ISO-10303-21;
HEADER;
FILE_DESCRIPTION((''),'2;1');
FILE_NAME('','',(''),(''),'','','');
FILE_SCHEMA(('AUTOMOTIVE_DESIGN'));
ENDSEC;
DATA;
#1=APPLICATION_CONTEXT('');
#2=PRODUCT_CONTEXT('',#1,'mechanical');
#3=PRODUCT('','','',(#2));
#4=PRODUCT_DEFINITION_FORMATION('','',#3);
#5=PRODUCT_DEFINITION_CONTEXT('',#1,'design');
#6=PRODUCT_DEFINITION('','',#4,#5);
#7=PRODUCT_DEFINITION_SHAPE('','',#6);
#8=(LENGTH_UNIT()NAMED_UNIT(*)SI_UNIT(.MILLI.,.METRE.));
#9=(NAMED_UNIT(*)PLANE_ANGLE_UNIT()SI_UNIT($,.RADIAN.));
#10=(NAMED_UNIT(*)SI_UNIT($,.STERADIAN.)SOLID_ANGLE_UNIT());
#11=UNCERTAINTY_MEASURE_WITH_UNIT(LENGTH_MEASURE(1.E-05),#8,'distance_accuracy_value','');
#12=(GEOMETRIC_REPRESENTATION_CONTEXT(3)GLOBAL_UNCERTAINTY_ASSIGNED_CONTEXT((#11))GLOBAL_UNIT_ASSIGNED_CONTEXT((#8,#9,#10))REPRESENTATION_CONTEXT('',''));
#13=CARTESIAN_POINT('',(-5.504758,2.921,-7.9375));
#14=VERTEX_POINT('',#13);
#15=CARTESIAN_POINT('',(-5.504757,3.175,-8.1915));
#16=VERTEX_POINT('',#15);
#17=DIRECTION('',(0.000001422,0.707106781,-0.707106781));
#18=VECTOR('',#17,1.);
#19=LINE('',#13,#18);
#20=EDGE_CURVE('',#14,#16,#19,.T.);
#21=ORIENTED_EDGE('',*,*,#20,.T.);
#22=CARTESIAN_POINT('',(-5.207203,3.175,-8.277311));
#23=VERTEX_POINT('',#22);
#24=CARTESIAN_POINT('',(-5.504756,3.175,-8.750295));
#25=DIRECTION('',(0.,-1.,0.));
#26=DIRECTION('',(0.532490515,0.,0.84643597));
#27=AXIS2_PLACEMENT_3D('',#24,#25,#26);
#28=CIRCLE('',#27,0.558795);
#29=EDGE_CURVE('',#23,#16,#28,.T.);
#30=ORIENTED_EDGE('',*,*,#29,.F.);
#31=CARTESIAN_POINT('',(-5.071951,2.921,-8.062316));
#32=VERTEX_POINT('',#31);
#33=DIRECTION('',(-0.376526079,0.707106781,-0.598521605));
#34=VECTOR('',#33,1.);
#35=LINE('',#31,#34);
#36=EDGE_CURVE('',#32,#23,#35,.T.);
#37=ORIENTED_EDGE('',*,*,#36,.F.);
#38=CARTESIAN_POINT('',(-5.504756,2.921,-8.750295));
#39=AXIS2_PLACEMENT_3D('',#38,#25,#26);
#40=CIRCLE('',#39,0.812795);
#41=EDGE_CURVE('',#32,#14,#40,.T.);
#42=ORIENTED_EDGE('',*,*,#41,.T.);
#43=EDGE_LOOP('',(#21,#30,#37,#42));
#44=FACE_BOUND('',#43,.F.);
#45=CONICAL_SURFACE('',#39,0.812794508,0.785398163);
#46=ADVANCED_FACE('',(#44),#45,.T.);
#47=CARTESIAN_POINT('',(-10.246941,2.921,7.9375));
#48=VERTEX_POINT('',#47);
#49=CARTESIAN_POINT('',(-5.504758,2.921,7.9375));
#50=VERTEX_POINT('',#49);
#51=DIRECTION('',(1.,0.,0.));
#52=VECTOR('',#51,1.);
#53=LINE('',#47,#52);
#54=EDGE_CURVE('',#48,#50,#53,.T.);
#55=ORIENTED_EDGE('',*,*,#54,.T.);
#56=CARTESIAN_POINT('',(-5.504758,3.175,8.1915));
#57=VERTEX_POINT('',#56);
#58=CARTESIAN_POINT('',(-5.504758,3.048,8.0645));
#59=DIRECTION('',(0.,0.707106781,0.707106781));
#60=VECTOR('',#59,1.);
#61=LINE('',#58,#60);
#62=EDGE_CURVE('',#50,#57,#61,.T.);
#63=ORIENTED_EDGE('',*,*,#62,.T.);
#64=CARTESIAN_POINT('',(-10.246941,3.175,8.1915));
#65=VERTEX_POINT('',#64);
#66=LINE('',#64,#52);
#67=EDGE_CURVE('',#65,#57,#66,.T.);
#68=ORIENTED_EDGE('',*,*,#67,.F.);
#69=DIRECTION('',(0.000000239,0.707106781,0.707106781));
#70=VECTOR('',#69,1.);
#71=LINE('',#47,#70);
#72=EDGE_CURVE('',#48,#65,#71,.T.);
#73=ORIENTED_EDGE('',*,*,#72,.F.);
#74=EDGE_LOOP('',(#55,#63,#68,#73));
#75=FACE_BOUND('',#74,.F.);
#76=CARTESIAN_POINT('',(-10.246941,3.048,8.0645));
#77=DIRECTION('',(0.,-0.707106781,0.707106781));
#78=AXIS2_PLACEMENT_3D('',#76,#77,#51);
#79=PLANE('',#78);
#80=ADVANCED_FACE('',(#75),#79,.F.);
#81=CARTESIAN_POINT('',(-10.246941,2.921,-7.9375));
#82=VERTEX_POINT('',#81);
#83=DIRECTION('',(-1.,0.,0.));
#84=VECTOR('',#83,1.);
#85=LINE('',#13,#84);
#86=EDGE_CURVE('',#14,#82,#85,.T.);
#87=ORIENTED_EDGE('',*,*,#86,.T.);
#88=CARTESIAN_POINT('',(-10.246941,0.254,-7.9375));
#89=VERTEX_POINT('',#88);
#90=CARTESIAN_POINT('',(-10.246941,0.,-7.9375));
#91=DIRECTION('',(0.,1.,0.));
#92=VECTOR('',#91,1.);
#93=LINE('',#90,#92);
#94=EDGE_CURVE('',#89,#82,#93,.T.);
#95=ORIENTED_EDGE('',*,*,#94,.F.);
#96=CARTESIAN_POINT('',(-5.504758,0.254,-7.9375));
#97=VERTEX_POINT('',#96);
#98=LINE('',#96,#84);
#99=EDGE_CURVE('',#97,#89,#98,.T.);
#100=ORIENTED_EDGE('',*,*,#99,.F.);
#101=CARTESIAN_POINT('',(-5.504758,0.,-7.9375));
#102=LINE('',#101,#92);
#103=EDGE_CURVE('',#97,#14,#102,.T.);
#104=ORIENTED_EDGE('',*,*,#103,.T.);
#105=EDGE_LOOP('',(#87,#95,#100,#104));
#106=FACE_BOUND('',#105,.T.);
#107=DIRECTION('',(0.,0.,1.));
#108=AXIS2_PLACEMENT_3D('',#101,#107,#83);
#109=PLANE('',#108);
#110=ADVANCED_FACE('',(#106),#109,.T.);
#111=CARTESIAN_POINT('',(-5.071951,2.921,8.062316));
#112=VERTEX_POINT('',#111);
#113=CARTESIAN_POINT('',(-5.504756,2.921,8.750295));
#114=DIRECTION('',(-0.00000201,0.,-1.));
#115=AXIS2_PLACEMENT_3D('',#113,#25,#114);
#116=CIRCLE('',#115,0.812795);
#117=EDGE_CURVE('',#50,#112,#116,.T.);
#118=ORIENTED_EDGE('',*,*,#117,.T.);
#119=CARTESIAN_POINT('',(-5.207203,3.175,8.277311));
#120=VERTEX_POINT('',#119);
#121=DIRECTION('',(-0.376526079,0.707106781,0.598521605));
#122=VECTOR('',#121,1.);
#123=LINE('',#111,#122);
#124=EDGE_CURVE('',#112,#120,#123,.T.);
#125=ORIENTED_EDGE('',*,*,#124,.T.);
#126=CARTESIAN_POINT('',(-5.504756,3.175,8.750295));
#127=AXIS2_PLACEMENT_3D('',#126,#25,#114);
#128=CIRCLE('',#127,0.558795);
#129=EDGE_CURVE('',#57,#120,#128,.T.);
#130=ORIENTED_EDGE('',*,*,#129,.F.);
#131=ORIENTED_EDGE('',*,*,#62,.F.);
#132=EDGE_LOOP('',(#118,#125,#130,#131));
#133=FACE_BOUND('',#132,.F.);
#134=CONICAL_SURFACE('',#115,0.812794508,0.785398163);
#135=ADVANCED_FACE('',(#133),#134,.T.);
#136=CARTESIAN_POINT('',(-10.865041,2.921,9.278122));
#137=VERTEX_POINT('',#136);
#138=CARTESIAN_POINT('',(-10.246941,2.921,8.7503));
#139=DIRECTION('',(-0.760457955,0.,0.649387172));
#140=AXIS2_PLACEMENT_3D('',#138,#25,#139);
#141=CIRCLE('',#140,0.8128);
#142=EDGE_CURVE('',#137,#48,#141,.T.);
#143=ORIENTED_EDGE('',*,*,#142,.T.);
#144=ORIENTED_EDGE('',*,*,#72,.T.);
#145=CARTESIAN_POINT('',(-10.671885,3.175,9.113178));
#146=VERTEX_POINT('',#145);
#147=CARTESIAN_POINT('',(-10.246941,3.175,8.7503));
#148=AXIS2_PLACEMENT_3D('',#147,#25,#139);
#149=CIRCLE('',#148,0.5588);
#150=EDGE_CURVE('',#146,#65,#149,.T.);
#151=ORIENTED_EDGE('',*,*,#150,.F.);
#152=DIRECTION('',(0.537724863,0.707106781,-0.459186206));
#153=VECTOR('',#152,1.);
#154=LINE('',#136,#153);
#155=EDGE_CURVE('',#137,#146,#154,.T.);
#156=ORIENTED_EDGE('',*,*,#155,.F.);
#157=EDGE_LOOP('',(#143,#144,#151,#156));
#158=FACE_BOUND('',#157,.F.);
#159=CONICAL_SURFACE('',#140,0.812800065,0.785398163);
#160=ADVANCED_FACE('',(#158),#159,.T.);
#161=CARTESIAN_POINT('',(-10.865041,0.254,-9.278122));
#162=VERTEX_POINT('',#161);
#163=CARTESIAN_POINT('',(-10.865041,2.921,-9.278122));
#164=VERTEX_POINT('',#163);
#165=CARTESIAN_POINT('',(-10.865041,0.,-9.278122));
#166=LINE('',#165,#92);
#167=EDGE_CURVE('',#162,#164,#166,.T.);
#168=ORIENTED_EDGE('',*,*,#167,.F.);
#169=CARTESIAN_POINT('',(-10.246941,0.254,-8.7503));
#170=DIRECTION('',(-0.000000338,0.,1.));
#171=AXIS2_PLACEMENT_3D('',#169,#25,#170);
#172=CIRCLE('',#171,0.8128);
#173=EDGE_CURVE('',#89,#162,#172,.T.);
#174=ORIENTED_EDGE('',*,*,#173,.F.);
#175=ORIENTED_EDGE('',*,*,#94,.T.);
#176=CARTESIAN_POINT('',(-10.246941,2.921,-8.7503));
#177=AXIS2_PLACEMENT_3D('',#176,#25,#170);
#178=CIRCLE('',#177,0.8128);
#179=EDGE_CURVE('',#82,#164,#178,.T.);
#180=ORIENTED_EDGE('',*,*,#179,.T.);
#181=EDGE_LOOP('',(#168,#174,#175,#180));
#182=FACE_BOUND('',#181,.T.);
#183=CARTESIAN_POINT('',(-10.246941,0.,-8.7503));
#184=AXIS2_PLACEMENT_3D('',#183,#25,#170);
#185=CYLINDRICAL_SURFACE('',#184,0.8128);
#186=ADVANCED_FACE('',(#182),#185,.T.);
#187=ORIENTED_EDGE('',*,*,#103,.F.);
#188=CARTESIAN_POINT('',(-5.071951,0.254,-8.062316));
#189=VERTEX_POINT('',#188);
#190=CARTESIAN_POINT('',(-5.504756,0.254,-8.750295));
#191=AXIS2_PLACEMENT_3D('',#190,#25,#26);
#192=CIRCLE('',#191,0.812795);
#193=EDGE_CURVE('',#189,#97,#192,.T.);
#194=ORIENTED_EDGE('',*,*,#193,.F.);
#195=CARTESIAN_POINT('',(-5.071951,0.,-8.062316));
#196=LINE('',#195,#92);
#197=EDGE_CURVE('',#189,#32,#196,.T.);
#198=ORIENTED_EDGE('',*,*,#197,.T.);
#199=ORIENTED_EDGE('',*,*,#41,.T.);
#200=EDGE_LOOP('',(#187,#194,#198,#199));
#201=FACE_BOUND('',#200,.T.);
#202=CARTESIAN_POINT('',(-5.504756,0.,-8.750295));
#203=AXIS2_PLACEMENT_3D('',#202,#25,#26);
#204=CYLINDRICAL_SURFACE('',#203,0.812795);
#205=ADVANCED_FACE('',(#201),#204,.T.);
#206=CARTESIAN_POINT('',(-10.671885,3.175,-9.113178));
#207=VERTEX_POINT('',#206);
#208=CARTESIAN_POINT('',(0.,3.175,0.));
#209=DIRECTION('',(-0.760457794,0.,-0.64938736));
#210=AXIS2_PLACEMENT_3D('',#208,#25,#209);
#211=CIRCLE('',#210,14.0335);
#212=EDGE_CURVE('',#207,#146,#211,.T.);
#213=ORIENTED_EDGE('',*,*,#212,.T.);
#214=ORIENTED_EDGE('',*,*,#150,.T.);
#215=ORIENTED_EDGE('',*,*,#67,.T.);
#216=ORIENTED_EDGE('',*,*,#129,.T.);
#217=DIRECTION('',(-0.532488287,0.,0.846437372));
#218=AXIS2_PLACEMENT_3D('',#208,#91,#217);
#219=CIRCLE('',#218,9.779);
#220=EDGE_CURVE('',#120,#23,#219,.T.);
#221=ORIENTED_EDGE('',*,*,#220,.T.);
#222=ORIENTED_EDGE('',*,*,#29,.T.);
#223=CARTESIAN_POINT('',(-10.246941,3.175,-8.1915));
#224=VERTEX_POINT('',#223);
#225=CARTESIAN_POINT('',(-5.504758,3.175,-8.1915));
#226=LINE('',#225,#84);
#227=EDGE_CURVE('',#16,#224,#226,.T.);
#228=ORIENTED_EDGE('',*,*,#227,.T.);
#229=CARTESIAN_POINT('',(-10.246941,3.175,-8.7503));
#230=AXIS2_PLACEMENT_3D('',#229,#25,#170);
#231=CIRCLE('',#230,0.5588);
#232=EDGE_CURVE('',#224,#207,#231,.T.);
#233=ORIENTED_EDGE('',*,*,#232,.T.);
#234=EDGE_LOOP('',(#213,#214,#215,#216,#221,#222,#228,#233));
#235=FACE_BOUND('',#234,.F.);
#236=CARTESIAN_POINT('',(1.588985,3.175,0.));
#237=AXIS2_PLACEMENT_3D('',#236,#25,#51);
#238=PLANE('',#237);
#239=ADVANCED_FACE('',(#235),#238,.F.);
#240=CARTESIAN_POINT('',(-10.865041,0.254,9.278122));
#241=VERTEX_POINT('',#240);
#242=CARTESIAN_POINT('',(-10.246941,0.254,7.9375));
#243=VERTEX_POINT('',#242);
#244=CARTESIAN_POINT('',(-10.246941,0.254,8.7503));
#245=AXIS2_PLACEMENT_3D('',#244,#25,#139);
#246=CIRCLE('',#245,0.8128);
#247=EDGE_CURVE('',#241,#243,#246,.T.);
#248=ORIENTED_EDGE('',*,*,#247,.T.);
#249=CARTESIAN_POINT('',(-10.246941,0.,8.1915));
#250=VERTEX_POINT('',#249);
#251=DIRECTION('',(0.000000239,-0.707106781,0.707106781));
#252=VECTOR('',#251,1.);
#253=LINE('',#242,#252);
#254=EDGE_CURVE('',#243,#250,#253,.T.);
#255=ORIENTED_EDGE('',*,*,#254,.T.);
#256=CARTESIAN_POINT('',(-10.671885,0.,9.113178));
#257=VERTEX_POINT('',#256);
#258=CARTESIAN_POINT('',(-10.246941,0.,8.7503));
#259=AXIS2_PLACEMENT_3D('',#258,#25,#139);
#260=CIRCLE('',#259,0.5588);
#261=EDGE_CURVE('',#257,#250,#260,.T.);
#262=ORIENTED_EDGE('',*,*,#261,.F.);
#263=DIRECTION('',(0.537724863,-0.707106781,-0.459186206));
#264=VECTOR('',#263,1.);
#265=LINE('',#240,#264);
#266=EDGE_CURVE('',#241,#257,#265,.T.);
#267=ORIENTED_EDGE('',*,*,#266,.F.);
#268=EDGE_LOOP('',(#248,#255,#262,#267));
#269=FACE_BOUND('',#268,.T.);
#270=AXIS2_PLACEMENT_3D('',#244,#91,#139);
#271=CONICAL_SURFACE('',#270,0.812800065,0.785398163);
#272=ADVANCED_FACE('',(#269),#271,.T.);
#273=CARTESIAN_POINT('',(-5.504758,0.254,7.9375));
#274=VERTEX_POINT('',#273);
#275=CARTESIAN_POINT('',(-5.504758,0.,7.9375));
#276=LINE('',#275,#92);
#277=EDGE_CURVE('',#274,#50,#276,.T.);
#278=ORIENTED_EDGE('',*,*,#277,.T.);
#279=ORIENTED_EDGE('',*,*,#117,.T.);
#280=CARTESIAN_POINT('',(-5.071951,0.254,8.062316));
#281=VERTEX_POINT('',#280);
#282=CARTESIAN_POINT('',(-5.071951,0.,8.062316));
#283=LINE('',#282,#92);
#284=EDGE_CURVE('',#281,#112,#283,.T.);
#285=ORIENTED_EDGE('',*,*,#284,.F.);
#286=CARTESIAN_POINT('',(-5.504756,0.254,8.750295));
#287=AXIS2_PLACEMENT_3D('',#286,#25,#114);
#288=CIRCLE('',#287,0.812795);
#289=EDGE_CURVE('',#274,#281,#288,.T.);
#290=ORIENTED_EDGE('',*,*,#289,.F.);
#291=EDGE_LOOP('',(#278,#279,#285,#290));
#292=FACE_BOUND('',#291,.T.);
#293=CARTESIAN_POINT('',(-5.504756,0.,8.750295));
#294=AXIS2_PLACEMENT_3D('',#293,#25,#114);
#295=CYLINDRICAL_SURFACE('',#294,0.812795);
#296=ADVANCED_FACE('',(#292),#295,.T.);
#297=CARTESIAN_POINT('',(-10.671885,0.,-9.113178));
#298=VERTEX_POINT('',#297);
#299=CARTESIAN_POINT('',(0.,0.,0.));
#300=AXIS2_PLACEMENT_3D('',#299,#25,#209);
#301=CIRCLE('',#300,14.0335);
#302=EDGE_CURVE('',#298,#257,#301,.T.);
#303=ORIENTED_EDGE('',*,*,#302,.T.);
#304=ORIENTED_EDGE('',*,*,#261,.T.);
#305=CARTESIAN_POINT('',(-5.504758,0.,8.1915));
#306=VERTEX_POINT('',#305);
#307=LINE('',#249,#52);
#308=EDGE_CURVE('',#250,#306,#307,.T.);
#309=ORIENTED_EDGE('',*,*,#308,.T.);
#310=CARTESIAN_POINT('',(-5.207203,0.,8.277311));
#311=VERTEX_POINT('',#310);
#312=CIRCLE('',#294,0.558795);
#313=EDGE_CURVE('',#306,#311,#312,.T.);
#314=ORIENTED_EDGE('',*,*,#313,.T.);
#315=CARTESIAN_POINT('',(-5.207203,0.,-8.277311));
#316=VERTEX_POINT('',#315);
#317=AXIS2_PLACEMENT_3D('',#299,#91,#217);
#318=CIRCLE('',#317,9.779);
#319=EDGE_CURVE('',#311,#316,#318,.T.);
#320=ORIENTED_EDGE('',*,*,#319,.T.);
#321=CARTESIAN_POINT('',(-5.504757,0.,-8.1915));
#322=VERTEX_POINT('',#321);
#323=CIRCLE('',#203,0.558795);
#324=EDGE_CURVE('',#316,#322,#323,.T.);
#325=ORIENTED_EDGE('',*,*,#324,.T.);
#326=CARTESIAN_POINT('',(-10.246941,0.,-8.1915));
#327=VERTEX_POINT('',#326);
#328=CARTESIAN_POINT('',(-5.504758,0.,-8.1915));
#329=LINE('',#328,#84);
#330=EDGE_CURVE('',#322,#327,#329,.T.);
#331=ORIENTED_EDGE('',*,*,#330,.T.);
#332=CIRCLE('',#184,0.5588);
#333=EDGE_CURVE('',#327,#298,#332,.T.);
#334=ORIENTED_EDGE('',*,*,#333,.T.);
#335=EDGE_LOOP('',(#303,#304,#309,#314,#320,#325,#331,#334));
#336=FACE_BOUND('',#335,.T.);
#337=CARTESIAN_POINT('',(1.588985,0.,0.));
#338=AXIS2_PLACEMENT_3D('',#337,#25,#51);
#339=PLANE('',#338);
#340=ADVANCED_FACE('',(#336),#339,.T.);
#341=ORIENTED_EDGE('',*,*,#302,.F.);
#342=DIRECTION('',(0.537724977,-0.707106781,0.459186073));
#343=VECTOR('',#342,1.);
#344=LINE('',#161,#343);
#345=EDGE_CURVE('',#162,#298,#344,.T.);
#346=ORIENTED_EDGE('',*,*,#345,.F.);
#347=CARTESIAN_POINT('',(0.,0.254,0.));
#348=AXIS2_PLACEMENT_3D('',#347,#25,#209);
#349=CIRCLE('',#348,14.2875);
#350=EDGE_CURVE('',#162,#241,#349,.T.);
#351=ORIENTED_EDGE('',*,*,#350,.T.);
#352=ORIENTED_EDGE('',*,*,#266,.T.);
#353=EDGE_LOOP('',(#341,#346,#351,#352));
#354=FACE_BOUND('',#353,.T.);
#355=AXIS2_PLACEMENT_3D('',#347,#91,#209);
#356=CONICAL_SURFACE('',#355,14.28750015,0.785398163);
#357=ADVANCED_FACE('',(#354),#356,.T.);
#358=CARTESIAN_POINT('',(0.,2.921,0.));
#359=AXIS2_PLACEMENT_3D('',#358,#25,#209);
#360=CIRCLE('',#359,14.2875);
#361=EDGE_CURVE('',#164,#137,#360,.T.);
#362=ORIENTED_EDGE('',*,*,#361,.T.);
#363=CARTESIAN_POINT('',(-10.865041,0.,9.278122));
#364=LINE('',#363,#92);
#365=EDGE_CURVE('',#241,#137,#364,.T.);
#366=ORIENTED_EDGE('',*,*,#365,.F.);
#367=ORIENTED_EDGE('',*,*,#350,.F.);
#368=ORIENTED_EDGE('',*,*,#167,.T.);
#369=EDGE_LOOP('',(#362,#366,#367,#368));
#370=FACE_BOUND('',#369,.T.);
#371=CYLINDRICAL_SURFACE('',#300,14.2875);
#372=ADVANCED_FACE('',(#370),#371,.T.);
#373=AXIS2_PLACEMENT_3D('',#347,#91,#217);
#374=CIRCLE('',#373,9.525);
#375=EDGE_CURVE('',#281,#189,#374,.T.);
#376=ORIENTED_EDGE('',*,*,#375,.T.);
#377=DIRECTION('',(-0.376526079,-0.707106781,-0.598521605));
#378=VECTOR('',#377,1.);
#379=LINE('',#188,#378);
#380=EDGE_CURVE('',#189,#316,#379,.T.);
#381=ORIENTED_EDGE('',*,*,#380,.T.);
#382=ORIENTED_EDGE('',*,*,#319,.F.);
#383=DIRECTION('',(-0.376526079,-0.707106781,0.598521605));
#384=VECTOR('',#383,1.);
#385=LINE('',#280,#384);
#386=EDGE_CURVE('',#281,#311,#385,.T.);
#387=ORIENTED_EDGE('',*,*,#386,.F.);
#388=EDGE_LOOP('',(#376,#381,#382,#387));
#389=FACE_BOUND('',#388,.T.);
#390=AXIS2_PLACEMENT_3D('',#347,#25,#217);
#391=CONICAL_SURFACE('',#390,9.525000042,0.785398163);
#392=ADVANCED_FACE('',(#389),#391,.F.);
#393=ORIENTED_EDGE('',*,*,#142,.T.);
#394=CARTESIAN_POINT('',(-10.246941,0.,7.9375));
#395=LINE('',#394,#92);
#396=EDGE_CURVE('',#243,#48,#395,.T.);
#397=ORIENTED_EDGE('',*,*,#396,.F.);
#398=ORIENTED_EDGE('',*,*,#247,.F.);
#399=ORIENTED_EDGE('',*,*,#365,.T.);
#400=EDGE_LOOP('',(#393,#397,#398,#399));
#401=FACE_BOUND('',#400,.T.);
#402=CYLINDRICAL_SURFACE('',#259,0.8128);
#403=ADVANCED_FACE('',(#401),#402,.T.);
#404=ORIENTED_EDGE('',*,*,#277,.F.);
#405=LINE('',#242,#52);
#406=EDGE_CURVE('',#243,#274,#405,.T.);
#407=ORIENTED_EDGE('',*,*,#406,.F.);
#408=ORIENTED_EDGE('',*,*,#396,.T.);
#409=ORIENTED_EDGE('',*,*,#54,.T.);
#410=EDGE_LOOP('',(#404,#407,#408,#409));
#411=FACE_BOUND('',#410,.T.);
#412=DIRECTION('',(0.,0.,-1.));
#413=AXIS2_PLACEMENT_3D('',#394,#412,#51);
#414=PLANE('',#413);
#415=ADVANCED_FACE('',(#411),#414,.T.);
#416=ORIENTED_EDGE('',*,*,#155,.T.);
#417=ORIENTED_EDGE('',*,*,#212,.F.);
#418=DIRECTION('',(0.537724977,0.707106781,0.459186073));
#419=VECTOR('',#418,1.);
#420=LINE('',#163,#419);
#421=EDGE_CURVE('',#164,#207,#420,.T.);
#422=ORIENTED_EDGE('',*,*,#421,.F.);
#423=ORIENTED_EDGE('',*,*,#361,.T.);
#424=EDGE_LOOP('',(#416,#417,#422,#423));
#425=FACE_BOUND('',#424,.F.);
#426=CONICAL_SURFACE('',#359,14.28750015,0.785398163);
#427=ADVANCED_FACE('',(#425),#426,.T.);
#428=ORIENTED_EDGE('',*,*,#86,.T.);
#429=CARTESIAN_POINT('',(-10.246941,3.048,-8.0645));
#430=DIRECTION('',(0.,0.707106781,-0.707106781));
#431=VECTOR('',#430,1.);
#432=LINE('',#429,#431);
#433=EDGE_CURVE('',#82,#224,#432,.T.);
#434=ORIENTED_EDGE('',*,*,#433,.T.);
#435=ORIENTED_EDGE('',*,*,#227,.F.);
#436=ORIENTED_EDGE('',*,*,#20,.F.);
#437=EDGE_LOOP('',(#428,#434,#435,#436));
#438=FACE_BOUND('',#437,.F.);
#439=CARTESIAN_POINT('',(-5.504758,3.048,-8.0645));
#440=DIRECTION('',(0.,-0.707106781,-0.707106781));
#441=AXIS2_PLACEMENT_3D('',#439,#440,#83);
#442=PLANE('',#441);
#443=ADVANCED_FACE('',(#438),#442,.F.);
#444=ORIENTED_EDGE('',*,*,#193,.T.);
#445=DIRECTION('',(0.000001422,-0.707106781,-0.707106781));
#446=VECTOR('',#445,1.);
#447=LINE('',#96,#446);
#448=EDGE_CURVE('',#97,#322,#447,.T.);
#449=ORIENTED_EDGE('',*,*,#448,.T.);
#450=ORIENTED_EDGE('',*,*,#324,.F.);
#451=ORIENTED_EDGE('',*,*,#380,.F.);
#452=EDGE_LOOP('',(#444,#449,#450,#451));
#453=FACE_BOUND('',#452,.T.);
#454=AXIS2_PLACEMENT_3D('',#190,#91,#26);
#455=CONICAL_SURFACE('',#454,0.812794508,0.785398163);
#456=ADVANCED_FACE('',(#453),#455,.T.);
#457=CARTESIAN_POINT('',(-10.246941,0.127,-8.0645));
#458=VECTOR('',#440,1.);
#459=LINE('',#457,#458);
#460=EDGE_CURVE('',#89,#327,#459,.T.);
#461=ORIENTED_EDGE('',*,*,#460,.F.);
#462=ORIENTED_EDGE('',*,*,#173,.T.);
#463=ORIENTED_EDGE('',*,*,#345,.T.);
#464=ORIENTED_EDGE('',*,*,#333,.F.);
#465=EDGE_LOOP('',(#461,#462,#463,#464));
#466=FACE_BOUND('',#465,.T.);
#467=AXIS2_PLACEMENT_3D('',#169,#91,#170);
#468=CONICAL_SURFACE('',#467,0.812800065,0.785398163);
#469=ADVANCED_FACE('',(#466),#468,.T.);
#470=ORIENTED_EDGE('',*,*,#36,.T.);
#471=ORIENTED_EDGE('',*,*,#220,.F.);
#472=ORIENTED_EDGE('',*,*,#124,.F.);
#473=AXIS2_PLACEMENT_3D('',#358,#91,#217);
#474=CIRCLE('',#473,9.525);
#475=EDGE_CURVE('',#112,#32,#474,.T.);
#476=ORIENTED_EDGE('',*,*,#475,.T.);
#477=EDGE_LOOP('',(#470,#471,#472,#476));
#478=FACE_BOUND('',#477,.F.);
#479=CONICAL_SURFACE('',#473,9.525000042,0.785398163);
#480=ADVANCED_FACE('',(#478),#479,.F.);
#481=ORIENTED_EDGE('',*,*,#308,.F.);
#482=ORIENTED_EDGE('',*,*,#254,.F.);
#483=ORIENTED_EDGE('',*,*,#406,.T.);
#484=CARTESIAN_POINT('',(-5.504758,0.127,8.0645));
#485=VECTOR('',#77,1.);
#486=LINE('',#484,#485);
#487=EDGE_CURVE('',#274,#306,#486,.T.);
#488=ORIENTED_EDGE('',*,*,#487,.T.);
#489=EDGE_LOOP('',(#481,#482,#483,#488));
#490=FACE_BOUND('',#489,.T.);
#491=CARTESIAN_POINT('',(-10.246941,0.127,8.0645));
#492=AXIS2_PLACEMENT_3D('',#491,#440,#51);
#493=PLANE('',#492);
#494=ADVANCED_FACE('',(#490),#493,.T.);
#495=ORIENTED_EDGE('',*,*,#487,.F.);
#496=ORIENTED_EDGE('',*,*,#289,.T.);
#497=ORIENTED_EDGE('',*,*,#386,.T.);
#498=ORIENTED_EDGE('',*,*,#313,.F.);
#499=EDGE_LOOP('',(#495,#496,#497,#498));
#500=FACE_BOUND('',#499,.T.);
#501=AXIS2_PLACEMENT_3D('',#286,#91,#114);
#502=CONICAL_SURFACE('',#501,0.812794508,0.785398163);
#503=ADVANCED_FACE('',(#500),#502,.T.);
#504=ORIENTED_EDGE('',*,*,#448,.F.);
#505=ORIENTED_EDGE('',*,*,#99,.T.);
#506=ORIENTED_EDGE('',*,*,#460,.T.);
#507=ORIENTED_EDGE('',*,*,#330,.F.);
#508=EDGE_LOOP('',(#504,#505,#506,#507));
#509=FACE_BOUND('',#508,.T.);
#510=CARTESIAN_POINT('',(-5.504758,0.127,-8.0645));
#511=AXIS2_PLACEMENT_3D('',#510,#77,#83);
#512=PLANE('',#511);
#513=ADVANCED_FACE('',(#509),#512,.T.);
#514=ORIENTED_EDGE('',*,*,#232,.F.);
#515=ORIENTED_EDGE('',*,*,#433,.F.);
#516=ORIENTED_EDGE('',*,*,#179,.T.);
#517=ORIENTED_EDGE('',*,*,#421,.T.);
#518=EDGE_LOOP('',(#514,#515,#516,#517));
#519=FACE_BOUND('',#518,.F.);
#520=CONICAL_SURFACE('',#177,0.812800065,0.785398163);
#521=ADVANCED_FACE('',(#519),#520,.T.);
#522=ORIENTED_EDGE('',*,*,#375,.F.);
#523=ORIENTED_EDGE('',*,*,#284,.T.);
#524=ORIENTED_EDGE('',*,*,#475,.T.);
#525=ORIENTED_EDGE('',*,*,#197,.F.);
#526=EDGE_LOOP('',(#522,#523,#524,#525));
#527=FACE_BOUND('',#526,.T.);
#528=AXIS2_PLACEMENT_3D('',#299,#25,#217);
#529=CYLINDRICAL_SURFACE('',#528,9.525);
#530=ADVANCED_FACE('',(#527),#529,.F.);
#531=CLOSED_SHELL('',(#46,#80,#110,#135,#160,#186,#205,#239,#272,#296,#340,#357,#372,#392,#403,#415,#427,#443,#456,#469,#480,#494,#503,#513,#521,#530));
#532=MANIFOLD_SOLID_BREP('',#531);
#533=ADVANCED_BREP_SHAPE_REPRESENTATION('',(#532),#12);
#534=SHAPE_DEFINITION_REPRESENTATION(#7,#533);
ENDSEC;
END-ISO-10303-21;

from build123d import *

# Parameters (mm, degrees)
F1_DEPTH = 3.175
F2_SIZE  = 0.254


with BuildPart() as f1:
    # F0 (on Front) → F1 (new body)
    with BuildSketch(Plane.XZ):
        with BuildLine():
            ThreePointArc((-10.246941, -7.9375), (-10.985066, -8.409984), (-10.865041, -9.278122))
            ThreePointArc((-10.865041, -9.278122), (14.2875, 0), (-10.865041, 9.278122))
            ThreePointArc((-10.865041, 9.278122), (-10.985066, 8.409984), (-10.246941, 7.9375))
            Line((-10.246941, 7.9375), (-5.504758, 7.9375))
            ThreePointArc((-5.504758, 7.9375), (-5.279535, 7.969327), (-5.071951, 8.062316))
            ThreePointArc((-5.071951, 8.062316), (9.525, 0), (-5.071951, -8.062316))
            ThreePointArc((-5.071951, -8.062316), (-5.279535, -7.969327), (-5.504758, -7.9375))
            Line((-5.504758, -7.9375), (-10.246941, -7.9375))
        make_face()
    extrude(amount=-F1_DEPTH)

    # F2
    f2_edges = [f1.edges().sort_by_distance(p)[0] for p in [
        (9.525, 0, 0),
        (9.525, 3.175, 0),
    ]]
    chamfer(f2_edges, length=F2_SIZE)


solid = f1.part
